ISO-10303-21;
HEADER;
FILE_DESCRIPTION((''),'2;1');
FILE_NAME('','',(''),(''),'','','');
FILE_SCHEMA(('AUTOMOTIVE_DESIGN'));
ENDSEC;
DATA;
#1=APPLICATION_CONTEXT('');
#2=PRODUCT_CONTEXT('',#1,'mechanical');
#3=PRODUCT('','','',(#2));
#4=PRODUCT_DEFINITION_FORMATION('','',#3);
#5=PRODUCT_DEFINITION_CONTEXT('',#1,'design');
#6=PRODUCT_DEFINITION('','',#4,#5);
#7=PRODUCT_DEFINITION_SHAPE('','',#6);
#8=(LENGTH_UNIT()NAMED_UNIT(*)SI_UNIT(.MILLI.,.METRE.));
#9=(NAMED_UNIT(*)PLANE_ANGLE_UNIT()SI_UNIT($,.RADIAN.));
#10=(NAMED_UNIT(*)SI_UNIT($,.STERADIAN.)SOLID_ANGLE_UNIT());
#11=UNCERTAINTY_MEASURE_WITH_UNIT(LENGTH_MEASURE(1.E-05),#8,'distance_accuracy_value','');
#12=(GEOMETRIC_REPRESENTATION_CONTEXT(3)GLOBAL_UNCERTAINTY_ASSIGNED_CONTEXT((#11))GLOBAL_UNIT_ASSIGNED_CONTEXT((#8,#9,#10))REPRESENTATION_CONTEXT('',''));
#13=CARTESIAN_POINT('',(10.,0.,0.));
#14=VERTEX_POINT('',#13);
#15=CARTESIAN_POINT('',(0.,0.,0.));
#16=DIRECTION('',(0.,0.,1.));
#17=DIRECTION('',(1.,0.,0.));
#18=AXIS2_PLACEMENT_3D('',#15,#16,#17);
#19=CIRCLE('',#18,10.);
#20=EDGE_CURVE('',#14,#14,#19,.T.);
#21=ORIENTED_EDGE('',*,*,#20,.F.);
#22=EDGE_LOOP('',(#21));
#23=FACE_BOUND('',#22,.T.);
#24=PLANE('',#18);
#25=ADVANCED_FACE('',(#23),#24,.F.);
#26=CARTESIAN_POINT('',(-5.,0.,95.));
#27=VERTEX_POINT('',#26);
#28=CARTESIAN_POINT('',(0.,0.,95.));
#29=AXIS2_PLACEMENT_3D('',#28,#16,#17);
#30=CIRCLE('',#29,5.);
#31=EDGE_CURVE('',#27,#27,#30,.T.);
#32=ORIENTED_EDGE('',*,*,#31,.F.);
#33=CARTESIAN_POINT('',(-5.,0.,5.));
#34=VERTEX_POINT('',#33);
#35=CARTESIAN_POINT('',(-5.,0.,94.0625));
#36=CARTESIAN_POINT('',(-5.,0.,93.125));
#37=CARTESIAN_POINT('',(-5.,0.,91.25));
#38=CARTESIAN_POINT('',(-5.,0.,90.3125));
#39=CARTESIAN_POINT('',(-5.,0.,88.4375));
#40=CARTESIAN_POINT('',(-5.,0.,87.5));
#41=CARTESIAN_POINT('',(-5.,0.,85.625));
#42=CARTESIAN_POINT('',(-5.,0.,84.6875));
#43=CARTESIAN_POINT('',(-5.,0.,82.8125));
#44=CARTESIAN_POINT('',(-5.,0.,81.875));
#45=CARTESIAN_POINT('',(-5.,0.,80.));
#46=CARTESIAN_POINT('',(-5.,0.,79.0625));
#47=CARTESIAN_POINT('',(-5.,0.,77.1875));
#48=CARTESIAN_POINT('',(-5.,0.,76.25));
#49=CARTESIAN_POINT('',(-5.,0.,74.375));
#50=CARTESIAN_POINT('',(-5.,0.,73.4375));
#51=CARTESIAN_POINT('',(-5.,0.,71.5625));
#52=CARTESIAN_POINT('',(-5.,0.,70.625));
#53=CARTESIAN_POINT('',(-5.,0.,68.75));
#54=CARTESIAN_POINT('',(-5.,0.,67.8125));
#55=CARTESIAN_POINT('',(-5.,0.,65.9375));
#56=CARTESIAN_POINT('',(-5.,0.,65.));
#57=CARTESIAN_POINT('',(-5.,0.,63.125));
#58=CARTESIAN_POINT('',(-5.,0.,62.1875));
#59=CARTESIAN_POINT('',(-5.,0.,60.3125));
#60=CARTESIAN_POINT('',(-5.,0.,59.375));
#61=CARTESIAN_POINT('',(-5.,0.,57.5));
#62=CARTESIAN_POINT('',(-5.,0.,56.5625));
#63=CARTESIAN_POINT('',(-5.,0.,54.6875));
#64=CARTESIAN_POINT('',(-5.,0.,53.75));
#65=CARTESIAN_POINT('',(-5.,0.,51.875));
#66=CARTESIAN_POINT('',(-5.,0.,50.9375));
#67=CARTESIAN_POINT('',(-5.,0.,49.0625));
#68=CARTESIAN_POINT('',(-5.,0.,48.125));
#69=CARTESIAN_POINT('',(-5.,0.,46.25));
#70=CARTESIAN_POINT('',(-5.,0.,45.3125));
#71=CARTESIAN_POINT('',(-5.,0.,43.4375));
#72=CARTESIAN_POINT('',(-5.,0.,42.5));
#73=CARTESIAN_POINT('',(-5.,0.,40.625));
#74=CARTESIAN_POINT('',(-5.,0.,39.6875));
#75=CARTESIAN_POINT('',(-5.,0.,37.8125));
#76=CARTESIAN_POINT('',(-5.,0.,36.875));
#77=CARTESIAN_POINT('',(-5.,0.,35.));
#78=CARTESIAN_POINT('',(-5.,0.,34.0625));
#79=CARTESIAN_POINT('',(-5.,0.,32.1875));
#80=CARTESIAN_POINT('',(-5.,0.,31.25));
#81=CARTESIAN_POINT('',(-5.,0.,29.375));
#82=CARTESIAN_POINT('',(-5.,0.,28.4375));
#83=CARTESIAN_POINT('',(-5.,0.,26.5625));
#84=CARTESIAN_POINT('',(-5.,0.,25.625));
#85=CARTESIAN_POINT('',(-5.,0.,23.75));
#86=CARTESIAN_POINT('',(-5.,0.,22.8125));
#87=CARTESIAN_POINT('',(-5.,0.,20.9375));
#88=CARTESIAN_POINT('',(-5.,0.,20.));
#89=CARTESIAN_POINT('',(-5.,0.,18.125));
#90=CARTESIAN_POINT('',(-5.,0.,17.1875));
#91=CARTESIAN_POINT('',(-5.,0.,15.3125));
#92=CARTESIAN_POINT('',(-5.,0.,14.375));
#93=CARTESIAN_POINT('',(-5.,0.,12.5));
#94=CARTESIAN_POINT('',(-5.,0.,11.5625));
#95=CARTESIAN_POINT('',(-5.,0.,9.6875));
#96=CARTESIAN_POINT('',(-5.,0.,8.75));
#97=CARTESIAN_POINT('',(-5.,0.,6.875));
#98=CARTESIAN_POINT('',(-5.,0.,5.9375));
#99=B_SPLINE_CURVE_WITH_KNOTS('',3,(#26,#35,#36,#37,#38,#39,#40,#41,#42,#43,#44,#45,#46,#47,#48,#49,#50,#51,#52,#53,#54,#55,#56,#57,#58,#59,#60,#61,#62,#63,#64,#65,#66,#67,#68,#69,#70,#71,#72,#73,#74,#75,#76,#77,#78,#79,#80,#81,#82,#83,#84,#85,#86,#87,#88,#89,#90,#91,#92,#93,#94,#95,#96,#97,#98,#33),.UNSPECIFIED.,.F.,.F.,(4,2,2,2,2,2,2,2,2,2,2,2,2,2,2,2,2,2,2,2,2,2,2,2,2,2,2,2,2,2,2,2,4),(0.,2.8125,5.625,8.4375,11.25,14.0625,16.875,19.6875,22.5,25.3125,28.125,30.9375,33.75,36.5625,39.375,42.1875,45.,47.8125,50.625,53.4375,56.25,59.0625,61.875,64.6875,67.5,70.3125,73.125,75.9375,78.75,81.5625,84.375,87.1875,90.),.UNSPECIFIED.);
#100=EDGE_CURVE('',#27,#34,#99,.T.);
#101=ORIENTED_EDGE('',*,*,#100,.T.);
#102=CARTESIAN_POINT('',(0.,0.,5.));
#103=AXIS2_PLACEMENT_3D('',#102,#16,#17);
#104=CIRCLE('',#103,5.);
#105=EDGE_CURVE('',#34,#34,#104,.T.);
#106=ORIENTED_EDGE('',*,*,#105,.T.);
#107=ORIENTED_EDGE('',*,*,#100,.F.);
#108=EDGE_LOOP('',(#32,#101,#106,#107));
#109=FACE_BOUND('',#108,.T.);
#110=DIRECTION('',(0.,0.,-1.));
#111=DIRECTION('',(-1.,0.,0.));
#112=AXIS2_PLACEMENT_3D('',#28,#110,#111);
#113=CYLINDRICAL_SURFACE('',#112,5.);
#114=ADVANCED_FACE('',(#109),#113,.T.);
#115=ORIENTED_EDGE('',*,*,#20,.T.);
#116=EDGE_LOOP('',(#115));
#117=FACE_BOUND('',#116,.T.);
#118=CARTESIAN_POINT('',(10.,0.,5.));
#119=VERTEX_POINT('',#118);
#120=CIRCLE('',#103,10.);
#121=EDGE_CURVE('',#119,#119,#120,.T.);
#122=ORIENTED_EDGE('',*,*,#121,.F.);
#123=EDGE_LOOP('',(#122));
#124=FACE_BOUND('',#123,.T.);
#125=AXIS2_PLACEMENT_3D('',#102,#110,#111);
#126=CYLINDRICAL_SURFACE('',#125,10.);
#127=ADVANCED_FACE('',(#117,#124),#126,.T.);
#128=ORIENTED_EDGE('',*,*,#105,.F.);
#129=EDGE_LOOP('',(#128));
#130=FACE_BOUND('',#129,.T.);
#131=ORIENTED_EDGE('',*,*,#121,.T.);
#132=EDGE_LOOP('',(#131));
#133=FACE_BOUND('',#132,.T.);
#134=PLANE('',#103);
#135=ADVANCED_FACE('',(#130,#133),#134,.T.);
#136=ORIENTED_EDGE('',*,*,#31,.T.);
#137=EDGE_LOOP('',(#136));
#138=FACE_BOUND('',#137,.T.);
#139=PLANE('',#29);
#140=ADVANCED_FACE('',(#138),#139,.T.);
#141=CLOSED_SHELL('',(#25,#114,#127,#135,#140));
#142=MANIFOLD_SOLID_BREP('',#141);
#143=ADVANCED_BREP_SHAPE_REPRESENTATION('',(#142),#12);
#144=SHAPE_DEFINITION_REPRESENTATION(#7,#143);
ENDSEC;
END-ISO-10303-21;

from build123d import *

# Parameters (mm, degrees)
SCHIZZO1_R                   = 10
ESTRUSIONE_ESTRUSIONE1_DEPTH = 5
SCHIZZO2_R                   = 5
ESTRUSIONE_ESTRUSIONE2_DEPTH = 90


with BuildPart() as part:
    # Schizzo1 → Estrusione-Estrusione1 (new body)
    with BuildSketch(Plane.XY):
        Circle(SCHIZZO1_R)
    extrude(amount=ESTRUSIONE_ESTRUSIONE1_DEPTH)

    # Schizzo2 → Estrusione-Estrusione2 (add)
    with BuildSketch(Plane.XY.offset(5)):
        with Locations(Location((0, 0, 0), (0, 0, 180))):
            Circle(SCHIZZO2_R)
    extrude(amount=ESTRUSIONE_ESTRUSIONE2_DEPTH)


solid = part.part
